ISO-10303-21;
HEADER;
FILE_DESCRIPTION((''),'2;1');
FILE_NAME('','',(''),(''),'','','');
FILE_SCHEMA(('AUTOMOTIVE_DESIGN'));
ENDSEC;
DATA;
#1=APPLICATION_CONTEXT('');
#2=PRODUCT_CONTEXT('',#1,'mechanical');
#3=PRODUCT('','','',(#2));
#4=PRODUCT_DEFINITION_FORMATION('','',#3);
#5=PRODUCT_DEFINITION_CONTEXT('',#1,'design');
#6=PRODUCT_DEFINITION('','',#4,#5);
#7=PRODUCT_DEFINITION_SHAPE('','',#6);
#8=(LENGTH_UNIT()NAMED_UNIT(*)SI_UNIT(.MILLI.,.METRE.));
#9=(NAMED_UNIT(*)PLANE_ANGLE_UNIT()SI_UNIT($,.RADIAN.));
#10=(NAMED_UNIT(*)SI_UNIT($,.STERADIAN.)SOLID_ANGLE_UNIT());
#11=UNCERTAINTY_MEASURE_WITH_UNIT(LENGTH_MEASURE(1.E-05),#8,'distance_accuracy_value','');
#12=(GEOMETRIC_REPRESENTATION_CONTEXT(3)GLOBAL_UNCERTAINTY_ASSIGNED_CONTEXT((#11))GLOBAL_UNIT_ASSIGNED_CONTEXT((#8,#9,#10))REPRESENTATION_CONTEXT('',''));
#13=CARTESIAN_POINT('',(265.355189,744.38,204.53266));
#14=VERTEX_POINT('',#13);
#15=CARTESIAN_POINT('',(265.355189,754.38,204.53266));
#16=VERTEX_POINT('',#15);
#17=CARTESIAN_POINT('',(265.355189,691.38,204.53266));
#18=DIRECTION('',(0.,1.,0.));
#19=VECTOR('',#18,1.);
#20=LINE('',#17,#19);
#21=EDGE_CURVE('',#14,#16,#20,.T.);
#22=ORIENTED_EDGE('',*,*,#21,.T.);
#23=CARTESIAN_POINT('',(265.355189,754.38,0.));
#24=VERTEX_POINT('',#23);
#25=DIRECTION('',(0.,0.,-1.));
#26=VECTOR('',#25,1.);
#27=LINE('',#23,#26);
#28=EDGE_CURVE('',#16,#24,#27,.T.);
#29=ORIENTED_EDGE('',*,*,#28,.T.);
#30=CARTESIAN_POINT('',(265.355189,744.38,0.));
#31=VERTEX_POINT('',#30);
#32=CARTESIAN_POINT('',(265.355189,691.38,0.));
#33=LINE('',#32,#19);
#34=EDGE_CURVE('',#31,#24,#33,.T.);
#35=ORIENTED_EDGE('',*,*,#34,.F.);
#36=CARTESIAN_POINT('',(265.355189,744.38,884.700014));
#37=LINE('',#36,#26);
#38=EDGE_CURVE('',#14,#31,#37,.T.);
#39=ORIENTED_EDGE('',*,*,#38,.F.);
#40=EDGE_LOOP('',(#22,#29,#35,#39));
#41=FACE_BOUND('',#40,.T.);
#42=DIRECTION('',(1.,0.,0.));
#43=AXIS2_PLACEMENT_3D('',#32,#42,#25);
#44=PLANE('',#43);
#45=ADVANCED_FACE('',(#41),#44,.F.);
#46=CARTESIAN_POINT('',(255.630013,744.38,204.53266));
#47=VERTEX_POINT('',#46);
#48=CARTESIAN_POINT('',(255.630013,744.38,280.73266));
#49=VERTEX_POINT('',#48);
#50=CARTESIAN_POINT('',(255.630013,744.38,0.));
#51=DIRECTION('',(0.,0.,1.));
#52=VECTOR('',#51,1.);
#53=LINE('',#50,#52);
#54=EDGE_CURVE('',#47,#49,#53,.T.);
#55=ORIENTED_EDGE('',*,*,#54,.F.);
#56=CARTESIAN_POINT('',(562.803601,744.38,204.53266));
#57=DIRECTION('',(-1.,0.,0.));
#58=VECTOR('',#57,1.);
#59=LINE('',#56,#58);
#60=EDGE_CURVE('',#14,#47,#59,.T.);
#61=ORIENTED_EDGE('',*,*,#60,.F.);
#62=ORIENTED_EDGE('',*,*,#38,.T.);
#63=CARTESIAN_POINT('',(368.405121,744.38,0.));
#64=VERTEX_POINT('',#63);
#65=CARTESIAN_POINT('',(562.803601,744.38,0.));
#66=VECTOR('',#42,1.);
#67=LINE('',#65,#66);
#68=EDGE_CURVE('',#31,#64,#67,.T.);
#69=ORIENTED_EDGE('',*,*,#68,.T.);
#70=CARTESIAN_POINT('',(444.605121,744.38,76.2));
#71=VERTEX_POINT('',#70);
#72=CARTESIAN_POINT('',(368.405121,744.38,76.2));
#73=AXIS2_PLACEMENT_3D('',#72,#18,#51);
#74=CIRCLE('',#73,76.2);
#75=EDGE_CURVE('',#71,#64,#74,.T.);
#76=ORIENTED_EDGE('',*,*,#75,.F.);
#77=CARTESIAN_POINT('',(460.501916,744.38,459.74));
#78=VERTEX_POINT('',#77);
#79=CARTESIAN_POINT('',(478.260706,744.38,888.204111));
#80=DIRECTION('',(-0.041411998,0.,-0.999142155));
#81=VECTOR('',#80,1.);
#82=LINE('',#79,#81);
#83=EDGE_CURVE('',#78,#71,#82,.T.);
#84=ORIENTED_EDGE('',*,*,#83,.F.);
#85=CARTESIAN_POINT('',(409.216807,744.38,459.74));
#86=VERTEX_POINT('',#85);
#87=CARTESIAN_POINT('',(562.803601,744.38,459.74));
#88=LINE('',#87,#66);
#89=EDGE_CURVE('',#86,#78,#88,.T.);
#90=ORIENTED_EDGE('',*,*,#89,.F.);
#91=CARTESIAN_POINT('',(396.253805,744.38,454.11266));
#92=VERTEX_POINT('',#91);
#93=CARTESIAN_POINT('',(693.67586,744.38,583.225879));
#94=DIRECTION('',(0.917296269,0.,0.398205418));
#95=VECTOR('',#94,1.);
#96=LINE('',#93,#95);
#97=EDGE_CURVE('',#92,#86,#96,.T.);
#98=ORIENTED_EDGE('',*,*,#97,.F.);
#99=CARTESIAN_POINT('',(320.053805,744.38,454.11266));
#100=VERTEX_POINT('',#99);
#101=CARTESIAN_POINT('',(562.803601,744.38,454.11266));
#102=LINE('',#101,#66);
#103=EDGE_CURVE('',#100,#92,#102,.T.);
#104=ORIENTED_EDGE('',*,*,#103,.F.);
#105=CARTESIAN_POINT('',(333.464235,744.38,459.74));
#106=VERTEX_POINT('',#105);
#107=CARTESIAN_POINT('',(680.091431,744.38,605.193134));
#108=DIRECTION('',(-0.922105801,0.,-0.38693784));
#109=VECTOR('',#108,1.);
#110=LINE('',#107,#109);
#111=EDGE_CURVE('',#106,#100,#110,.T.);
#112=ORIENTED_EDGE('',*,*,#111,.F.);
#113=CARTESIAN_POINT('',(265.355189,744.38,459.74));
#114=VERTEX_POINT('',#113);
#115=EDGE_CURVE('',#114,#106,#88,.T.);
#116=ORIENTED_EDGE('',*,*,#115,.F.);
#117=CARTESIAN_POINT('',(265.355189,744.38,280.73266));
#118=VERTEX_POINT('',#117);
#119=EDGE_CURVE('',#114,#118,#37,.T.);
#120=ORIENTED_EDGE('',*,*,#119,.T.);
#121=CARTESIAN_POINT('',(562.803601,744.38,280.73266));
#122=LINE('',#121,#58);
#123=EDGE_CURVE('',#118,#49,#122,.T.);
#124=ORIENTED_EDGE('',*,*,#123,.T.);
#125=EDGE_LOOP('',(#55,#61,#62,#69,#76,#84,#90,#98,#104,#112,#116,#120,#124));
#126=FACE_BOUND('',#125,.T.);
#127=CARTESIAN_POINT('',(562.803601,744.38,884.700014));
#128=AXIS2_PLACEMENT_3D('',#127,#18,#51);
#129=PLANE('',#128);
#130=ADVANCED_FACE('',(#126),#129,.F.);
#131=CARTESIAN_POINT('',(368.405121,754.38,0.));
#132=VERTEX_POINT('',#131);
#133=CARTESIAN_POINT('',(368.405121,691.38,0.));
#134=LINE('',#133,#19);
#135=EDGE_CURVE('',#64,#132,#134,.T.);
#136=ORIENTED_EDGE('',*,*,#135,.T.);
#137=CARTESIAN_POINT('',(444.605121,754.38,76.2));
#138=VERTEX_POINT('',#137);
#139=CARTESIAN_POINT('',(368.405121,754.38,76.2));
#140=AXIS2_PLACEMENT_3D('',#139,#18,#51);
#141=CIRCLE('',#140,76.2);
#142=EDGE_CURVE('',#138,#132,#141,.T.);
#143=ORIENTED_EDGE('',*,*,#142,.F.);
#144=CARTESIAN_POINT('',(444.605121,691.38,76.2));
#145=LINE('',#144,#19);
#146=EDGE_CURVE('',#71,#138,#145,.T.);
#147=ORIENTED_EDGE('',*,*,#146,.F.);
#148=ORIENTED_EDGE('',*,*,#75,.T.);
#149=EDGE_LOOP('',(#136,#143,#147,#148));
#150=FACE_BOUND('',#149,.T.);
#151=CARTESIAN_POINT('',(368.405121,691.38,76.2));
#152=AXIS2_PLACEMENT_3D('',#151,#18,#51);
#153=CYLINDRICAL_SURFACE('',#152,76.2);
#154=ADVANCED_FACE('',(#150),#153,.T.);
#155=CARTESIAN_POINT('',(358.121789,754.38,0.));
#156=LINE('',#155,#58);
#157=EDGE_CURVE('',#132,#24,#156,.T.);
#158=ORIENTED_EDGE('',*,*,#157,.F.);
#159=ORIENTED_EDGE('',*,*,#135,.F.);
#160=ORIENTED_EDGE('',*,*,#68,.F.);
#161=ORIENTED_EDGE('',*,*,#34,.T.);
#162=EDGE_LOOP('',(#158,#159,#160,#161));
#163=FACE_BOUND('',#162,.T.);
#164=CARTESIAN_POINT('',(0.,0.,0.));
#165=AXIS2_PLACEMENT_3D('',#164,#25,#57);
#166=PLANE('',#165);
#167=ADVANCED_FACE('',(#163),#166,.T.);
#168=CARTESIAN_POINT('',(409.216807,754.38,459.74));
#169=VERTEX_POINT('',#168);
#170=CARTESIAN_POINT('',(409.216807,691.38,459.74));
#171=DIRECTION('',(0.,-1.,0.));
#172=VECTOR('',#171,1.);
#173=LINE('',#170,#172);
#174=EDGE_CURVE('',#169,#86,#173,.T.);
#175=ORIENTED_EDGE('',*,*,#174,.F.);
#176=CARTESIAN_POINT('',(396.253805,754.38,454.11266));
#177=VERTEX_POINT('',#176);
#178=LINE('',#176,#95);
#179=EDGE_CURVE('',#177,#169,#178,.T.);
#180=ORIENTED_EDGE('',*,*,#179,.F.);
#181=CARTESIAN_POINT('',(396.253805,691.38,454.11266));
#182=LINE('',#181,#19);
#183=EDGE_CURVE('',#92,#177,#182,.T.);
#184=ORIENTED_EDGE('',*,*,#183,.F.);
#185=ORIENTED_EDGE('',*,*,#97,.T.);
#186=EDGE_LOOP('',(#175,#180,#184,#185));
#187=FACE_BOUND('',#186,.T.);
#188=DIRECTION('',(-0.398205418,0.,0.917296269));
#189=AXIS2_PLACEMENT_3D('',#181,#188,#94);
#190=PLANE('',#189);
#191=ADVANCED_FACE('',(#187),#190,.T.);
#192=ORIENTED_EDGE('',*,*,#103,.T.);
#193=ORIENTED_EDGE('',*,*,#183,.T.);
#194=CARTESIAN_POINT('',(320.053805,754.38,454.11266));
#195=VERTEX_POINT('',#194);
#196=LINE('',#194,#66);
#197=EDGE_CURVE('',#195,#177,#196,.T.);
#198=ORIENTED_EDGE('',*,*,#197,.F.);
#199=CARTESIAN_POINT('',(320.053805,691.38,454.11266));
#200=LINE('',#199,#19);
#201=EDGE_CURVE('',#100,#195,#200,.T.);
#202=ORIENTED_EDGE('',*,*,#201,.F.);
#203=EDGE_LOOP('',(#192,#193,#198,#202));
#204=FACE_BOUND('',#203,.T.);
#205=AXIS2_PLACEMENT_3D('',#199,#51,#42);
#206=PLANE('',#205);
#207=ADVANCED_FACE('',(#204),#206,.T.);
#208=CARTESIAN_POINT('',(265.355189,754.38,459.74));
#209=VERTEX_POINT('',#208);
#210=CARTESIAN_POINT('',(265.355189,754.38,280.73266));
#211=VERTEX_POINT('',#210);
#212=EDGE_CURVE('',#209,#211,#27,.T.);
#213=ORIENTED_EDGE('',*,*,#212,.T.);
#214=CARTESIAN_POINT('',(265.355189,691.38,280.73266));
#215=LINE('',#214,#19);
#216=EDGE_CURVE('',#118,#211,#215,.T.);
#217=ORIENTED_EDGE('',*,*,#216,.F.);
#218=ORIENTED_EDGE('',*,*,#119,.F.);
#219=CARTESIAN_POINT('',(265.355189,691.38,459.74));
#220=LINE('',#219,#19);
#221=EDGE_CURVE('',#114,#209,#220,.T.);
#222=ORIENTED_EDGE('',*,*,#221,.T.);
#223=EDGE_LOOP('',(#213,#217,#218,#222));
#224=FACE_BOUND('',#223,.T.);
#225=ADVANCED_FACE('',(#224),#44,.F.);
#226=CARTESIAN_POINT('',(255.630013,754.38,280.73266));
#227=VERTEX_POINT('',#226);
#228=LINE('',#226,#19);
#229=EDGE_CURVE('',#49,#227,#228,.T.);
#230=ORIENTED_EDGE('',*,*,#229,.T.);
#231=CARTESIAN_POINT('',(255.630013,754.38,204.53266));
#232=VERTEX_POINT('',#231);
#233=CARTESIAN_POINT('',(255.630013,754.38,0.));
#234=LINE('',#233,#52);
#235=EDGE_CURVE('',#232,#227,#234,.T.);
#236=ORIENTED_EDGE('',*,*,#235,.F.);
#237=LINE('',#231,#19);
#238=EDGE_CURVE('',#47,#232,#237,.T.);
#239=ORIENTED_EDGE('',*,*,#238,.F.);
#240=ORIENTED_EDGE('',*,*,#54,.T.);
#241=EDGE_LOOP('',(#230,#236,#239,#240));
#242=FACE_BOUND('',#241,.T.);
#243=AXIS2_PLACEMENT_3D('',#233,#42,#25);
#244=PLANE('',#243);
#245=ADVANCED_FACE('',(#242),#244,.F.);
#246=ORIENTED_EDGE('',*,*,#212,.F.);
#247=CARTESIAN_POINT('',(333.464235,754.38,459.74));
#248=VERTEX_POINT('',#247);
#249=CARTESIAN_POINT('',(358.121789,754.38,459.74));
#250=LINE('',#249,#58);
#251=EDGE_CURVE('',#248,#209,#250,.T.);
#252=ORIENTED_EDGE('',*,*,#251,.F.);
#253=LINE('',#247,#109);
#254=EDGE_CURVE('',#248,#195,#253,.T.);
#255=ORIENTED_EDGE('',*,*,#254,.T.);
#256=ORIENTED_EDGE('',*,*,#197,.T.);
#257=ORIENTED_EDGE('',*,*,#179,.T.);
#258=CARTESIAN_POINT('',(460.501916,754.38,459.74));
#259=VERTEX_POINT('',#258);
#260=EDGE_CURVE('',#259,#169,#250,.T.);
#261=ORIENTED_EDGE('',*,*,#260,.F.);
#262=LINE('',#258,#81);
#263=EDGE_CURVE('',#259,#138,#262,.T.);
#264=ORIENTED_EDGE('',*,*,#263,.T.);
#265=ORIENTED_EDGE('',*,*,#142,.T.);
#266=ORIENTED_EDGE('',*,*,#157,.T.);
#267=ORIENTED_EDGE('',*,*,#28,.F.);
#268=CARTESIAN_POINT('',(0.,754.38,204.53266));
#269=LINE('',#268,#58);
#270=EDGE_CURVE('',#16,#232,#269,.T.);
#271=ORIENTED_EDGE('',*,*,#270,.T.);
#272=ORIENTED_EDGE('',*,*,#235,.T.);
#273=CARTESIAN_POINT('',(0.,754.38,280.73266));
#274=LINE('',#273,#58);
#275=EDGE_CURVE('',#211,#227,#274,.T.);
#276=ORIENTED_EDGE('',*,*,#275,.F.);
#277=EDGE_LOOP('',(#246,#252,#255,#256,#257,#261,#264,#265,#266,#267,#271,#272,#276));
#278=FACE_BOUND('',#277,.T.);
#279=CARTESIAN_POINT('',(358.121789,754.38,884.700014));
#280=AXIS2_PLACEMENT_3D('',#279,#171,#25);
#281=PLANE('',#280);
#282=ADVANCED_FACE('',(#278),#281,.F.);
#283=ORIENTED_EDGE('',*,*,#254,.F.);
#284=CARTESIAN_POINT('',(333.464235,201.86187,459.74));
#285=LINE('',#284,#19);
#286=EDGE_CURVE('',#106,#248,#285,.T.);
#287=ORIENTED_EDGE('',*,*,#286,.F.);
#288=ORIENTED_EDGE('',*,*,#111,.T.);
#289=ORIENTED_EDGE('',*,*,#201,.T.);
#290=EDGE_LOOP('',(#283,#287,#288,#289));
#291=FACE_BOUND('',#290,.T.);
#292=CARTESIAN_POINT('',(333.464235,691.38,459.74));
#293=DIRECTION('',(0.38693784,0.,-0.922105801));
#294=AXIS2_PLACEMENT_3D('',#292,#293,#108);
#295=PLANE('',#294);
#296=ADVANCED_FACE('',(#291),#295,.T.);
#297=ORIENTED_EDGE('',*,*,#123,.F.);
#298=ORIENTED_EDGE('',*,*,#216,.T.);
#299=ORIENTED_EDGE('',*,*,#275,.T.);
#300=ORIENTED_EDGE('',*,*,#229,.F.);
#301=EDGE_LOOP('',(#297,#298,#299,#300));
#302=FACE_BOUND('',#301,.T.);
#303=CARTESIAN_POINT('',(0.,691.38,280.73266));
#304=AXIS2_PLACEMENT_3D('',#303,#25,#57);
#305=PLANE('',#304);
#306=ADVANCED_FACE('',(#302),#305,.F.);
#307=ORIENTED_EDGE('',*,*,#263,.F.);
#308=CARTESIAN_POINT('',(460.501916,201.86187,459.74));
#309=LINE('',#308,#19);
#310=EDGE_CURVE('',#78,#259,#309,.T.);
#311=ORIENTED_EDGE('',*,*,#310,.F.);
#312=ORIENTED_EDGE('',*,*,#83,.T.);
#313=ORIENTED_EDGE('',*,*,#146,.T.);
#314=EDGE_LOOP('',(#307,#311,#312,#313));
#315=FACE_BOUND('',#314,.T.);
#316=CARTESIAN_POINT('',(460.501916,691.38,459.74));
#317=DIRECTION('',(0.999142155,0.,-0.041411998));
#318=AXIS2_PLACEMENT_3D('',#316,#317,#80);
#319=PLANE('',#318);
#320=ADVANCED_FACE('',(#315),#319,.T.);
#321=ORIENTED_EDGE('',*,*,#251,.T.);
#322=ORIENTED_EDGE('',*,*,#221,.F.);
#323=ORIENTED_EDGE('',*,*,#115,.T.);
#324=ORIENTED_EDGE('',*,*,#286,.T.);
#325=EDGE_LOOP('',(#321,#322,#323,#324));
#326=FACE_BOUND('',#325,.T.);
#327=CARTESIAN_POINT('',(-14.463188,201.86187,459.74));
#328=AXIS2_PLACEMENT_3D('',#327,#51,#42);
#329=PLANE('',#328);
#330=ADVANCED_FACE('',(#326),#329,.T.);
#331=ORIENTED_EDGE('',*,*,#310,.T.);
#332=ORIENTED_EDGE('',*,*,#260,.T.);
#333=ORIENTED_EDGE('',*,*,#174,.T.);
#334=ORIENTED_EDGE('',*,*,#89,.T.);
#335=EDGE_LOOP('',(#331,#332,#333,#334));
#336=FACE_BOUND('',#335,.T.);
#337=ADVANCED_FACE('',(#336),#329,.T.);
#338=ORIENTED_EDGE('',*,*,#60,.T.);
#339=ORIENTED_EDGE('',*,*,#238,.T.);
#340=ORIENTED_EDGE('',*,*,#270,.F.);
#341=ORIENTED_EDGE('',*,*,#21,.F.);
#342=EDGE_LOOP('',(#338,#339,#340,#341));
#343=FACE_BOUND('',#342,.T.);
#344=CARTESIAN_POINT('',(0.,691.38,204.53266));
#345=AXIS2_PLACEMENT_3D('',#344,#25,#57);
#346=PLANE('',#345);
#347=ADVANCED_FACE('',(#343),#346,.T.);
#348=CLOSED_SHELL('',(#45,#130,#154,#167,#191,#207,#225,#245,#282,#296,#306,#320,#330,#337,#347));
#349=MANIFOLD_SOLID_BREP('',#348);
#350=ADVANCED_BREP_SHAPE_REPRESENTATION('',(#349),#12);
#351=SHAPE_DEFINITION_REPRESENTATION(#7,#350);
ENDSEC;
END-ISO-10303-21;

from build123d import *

# Parameters (mm, degrees)
BOSS_EXTRUDE1_DEPTH = 459.74
SKETCH3_W           = 117.668752198
SKETCH3_H           = 459.74
CUT_EXTRUDE1_DEPTH  = 10
SKETCH4_W           = 9.725175386
SKETCH4_H           = 179.007339898
SKETCH4_H_2         = 204.532660102
CUT_EXTRUDE3_DEPTH  = 63


with BuildPart() as part:
    # Sketch1 → Boss-Extrude1 (new body)
    with BuildSketch(Plane.XY):
        Polygon((358.121789204, 754.380000017), (137.961261276, 754.380000017), (137.961261276, 744.380000017), (562.803601281, 744.380000017), (562.803601281, 754.380000017), align=None)
    extrude(amount=BOSS_EXTRUDE1_DEPTH)

    # Sketch3 → Cut-Extrude1 (cut)
    with BuildSketch(Plane.XZ.offset(-744.380000017)):
        with Locations((196.795637375, 229.87)):
            Rectangle(SKETCH3_W, SKETCH3_H)
    extrude(amount=-CUT_EXTRUDE1_DEPTH, mode=Mode.SUBTRACT)

    # Sketch4 → Cut-Extrude3 (cut)
    with BuildSketch(Plane(origin=(0, 754.380000017, 0), x_dir=(1, 0, 0), z_dir=(0, 1, 0))):
        with Locations((260.492601167, -370.236330051)):
            Rectangle(SKETCH4_W, SKETCH4_H)
        with Locations((260.492601167, -102.266330051)):
            Rectangle(SKETCH4_W, SKETCH4_H_2)
        with BuildLine():
            Line((333.464234552, -459.74), (369.761877542, -561.839328351))
            Line((369.761877542, -561.839328351), (604.247212907, -525.668487146))
            Line((604.247212907, -525.668487146), (681.481358703, 161.10923172))
            Line((681.481358703, 161.10923172), (358.740146189, 101.846462791))
            Line((358.740146189, 101.846462791), (368.405121491, 0))
            ThreePointArc((368.405121491, 0), (422.286658217, -22.318463274), (444.605121491, -76.2))
            Line((444.605121491, -76.2), (460.501916297, -459.74))
            Line((460.501916297, -459.74), (409.216807378, -459.74))
            Line((409.216807378, -459.74), (396.253804705, -454.112660102))
            Line((396.253804705, -454.112660102), (320.053804705, -454.112660102))
            Line((320.053804705, -454.112660102), (333.464234552, -459.74))
        make_face()
    extrude(amount=-CUT_EXTRUDE3_DEPTH, mode=Mode.SUBTRACT)


solid = part.part
